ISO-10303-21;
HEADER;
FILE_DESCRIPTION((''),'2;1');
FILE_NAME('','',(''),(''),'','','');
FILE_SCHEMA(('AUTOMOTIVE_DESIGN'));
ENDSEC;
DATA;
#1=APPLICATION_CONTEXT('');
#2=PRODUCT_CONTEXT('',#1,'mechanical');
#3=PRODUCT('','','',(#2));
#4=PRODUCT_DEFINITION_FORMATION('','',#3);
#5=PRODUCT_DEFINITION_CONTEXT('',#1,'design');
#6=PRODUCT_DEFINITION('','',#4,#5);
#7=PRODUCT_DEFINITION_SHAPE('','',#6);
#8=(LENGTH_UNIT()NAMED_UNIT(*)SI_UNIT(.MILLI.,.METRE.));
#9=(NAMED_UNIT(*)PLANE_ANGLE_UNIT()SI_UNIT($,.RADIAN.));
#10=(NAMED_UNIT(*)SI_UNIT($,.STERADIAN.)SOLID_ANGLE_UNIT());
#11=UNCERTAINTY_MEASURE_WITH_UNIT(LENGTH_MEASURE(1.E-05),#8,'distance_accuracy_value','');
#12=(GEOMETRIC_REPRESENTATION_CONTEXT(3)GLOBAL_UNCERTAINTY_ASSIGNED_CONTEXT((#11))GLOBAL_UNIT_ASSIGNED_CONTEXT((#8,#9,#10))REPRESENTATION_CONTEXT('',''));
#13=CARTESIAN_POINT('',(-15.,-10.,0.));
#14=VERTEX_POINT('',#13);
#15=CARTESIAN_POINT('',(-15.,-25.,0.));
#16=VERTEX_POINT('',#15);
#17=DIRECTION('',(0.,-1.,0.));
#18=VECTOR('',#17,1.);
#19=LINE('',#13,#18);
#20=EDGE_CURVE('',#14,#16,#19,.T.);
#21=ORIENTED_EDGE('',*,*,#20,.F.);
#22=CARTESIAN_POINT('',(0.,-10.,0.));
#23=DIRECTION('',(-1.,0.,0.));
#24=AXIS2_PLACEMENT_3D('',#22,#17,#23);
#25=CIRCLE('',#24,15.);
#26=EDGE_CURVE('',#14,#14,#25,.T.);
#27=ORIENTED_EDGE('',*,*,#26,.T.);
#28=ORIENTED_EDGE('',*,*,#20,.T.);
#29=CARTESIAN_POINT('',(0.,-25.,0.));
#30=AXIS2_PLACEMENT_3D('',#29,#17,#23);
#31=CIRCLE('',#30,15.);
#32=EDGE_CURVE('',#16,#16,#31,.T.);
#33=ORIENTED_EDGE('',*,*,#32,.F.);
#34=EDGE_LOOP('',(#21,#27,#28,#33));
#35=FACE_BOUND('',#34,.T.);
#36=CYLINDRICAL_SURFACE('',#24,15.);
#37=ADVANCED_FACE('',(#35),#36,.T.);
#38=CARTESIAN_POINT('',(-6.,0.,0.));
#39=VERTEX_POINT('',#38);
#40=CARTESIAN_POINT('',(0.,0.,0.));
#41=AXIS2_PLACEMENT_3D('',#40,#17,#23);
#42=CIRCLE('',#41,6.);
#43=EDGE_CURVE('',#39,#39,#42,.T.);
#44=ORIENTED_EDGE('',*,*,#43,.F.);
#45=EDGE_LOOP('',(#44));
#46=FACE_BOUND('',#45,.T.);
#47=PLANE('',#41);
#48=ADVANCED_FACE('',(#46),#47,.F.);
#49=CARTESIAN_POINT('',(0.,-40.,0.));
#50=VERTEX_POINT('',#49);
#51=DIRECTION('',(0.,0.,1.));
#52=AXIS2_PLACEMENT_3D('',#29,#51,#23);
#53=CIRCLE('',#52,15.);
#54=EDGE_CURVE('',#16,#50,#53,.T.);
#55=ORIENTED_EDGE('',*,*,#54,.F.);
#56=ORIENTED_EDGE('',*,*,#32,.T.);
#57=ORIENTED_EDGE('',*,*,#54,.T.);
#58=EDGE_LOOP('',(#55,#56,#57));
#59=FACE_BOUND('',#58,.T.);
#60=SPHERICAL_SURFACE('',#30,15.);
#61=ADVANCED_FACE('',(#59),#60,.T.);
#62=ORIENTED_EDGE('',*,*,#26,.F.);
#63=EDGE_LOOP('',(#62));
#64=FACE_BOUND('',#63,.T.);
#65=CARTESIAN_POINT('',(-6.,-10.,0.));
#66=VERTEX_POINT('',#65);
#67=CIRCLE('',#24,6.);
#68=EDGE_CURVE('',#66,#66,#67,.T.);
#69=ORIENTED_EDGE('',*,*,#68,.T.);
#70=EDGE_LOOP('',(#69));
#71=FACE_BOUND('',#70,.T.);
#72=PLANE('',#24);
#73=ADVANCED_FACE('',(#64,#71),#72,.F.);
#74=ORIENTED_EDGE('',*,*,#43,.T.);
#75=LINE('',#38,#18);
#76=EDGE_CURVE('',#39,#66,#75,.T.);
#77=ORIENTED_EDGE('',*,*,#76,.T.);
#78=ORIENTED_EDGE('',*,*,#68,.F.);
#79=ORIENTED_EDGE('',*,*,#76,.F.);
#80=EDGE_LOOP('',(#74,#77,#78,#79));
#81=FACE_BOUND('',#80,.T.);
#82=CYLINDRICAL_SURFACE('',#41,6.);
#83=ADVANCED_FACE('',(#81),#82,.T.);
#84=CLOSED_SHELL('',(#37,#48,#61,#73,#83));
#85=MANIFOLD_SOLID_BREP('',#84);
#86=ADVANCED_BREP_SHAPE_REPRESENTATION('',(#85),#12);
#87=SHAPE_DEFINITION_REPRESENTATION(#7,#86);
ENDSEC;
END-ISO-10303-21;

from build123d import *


with BuildPart() as part:
    # Sketch1 → Revolve1 (revolve)
    with BuildSketch(Plane.XY):
        with BuildLine():
            Line((0, 0), (-6, 0))
            Line((-6, 0), (-6, -10))
            Line((-6, -10), (-15, -10))
            Line((-15, -10), (-15, -25))
            ThreePointArc((-15, -25), (-10.606601718, -35.606601718), (0, -40))
            Line((0, -40), (0, 0))
        make_face()
    revolve(axis=Axis((0, 45.66341707, 0), (0, -1, 0)))


solid = part.part
